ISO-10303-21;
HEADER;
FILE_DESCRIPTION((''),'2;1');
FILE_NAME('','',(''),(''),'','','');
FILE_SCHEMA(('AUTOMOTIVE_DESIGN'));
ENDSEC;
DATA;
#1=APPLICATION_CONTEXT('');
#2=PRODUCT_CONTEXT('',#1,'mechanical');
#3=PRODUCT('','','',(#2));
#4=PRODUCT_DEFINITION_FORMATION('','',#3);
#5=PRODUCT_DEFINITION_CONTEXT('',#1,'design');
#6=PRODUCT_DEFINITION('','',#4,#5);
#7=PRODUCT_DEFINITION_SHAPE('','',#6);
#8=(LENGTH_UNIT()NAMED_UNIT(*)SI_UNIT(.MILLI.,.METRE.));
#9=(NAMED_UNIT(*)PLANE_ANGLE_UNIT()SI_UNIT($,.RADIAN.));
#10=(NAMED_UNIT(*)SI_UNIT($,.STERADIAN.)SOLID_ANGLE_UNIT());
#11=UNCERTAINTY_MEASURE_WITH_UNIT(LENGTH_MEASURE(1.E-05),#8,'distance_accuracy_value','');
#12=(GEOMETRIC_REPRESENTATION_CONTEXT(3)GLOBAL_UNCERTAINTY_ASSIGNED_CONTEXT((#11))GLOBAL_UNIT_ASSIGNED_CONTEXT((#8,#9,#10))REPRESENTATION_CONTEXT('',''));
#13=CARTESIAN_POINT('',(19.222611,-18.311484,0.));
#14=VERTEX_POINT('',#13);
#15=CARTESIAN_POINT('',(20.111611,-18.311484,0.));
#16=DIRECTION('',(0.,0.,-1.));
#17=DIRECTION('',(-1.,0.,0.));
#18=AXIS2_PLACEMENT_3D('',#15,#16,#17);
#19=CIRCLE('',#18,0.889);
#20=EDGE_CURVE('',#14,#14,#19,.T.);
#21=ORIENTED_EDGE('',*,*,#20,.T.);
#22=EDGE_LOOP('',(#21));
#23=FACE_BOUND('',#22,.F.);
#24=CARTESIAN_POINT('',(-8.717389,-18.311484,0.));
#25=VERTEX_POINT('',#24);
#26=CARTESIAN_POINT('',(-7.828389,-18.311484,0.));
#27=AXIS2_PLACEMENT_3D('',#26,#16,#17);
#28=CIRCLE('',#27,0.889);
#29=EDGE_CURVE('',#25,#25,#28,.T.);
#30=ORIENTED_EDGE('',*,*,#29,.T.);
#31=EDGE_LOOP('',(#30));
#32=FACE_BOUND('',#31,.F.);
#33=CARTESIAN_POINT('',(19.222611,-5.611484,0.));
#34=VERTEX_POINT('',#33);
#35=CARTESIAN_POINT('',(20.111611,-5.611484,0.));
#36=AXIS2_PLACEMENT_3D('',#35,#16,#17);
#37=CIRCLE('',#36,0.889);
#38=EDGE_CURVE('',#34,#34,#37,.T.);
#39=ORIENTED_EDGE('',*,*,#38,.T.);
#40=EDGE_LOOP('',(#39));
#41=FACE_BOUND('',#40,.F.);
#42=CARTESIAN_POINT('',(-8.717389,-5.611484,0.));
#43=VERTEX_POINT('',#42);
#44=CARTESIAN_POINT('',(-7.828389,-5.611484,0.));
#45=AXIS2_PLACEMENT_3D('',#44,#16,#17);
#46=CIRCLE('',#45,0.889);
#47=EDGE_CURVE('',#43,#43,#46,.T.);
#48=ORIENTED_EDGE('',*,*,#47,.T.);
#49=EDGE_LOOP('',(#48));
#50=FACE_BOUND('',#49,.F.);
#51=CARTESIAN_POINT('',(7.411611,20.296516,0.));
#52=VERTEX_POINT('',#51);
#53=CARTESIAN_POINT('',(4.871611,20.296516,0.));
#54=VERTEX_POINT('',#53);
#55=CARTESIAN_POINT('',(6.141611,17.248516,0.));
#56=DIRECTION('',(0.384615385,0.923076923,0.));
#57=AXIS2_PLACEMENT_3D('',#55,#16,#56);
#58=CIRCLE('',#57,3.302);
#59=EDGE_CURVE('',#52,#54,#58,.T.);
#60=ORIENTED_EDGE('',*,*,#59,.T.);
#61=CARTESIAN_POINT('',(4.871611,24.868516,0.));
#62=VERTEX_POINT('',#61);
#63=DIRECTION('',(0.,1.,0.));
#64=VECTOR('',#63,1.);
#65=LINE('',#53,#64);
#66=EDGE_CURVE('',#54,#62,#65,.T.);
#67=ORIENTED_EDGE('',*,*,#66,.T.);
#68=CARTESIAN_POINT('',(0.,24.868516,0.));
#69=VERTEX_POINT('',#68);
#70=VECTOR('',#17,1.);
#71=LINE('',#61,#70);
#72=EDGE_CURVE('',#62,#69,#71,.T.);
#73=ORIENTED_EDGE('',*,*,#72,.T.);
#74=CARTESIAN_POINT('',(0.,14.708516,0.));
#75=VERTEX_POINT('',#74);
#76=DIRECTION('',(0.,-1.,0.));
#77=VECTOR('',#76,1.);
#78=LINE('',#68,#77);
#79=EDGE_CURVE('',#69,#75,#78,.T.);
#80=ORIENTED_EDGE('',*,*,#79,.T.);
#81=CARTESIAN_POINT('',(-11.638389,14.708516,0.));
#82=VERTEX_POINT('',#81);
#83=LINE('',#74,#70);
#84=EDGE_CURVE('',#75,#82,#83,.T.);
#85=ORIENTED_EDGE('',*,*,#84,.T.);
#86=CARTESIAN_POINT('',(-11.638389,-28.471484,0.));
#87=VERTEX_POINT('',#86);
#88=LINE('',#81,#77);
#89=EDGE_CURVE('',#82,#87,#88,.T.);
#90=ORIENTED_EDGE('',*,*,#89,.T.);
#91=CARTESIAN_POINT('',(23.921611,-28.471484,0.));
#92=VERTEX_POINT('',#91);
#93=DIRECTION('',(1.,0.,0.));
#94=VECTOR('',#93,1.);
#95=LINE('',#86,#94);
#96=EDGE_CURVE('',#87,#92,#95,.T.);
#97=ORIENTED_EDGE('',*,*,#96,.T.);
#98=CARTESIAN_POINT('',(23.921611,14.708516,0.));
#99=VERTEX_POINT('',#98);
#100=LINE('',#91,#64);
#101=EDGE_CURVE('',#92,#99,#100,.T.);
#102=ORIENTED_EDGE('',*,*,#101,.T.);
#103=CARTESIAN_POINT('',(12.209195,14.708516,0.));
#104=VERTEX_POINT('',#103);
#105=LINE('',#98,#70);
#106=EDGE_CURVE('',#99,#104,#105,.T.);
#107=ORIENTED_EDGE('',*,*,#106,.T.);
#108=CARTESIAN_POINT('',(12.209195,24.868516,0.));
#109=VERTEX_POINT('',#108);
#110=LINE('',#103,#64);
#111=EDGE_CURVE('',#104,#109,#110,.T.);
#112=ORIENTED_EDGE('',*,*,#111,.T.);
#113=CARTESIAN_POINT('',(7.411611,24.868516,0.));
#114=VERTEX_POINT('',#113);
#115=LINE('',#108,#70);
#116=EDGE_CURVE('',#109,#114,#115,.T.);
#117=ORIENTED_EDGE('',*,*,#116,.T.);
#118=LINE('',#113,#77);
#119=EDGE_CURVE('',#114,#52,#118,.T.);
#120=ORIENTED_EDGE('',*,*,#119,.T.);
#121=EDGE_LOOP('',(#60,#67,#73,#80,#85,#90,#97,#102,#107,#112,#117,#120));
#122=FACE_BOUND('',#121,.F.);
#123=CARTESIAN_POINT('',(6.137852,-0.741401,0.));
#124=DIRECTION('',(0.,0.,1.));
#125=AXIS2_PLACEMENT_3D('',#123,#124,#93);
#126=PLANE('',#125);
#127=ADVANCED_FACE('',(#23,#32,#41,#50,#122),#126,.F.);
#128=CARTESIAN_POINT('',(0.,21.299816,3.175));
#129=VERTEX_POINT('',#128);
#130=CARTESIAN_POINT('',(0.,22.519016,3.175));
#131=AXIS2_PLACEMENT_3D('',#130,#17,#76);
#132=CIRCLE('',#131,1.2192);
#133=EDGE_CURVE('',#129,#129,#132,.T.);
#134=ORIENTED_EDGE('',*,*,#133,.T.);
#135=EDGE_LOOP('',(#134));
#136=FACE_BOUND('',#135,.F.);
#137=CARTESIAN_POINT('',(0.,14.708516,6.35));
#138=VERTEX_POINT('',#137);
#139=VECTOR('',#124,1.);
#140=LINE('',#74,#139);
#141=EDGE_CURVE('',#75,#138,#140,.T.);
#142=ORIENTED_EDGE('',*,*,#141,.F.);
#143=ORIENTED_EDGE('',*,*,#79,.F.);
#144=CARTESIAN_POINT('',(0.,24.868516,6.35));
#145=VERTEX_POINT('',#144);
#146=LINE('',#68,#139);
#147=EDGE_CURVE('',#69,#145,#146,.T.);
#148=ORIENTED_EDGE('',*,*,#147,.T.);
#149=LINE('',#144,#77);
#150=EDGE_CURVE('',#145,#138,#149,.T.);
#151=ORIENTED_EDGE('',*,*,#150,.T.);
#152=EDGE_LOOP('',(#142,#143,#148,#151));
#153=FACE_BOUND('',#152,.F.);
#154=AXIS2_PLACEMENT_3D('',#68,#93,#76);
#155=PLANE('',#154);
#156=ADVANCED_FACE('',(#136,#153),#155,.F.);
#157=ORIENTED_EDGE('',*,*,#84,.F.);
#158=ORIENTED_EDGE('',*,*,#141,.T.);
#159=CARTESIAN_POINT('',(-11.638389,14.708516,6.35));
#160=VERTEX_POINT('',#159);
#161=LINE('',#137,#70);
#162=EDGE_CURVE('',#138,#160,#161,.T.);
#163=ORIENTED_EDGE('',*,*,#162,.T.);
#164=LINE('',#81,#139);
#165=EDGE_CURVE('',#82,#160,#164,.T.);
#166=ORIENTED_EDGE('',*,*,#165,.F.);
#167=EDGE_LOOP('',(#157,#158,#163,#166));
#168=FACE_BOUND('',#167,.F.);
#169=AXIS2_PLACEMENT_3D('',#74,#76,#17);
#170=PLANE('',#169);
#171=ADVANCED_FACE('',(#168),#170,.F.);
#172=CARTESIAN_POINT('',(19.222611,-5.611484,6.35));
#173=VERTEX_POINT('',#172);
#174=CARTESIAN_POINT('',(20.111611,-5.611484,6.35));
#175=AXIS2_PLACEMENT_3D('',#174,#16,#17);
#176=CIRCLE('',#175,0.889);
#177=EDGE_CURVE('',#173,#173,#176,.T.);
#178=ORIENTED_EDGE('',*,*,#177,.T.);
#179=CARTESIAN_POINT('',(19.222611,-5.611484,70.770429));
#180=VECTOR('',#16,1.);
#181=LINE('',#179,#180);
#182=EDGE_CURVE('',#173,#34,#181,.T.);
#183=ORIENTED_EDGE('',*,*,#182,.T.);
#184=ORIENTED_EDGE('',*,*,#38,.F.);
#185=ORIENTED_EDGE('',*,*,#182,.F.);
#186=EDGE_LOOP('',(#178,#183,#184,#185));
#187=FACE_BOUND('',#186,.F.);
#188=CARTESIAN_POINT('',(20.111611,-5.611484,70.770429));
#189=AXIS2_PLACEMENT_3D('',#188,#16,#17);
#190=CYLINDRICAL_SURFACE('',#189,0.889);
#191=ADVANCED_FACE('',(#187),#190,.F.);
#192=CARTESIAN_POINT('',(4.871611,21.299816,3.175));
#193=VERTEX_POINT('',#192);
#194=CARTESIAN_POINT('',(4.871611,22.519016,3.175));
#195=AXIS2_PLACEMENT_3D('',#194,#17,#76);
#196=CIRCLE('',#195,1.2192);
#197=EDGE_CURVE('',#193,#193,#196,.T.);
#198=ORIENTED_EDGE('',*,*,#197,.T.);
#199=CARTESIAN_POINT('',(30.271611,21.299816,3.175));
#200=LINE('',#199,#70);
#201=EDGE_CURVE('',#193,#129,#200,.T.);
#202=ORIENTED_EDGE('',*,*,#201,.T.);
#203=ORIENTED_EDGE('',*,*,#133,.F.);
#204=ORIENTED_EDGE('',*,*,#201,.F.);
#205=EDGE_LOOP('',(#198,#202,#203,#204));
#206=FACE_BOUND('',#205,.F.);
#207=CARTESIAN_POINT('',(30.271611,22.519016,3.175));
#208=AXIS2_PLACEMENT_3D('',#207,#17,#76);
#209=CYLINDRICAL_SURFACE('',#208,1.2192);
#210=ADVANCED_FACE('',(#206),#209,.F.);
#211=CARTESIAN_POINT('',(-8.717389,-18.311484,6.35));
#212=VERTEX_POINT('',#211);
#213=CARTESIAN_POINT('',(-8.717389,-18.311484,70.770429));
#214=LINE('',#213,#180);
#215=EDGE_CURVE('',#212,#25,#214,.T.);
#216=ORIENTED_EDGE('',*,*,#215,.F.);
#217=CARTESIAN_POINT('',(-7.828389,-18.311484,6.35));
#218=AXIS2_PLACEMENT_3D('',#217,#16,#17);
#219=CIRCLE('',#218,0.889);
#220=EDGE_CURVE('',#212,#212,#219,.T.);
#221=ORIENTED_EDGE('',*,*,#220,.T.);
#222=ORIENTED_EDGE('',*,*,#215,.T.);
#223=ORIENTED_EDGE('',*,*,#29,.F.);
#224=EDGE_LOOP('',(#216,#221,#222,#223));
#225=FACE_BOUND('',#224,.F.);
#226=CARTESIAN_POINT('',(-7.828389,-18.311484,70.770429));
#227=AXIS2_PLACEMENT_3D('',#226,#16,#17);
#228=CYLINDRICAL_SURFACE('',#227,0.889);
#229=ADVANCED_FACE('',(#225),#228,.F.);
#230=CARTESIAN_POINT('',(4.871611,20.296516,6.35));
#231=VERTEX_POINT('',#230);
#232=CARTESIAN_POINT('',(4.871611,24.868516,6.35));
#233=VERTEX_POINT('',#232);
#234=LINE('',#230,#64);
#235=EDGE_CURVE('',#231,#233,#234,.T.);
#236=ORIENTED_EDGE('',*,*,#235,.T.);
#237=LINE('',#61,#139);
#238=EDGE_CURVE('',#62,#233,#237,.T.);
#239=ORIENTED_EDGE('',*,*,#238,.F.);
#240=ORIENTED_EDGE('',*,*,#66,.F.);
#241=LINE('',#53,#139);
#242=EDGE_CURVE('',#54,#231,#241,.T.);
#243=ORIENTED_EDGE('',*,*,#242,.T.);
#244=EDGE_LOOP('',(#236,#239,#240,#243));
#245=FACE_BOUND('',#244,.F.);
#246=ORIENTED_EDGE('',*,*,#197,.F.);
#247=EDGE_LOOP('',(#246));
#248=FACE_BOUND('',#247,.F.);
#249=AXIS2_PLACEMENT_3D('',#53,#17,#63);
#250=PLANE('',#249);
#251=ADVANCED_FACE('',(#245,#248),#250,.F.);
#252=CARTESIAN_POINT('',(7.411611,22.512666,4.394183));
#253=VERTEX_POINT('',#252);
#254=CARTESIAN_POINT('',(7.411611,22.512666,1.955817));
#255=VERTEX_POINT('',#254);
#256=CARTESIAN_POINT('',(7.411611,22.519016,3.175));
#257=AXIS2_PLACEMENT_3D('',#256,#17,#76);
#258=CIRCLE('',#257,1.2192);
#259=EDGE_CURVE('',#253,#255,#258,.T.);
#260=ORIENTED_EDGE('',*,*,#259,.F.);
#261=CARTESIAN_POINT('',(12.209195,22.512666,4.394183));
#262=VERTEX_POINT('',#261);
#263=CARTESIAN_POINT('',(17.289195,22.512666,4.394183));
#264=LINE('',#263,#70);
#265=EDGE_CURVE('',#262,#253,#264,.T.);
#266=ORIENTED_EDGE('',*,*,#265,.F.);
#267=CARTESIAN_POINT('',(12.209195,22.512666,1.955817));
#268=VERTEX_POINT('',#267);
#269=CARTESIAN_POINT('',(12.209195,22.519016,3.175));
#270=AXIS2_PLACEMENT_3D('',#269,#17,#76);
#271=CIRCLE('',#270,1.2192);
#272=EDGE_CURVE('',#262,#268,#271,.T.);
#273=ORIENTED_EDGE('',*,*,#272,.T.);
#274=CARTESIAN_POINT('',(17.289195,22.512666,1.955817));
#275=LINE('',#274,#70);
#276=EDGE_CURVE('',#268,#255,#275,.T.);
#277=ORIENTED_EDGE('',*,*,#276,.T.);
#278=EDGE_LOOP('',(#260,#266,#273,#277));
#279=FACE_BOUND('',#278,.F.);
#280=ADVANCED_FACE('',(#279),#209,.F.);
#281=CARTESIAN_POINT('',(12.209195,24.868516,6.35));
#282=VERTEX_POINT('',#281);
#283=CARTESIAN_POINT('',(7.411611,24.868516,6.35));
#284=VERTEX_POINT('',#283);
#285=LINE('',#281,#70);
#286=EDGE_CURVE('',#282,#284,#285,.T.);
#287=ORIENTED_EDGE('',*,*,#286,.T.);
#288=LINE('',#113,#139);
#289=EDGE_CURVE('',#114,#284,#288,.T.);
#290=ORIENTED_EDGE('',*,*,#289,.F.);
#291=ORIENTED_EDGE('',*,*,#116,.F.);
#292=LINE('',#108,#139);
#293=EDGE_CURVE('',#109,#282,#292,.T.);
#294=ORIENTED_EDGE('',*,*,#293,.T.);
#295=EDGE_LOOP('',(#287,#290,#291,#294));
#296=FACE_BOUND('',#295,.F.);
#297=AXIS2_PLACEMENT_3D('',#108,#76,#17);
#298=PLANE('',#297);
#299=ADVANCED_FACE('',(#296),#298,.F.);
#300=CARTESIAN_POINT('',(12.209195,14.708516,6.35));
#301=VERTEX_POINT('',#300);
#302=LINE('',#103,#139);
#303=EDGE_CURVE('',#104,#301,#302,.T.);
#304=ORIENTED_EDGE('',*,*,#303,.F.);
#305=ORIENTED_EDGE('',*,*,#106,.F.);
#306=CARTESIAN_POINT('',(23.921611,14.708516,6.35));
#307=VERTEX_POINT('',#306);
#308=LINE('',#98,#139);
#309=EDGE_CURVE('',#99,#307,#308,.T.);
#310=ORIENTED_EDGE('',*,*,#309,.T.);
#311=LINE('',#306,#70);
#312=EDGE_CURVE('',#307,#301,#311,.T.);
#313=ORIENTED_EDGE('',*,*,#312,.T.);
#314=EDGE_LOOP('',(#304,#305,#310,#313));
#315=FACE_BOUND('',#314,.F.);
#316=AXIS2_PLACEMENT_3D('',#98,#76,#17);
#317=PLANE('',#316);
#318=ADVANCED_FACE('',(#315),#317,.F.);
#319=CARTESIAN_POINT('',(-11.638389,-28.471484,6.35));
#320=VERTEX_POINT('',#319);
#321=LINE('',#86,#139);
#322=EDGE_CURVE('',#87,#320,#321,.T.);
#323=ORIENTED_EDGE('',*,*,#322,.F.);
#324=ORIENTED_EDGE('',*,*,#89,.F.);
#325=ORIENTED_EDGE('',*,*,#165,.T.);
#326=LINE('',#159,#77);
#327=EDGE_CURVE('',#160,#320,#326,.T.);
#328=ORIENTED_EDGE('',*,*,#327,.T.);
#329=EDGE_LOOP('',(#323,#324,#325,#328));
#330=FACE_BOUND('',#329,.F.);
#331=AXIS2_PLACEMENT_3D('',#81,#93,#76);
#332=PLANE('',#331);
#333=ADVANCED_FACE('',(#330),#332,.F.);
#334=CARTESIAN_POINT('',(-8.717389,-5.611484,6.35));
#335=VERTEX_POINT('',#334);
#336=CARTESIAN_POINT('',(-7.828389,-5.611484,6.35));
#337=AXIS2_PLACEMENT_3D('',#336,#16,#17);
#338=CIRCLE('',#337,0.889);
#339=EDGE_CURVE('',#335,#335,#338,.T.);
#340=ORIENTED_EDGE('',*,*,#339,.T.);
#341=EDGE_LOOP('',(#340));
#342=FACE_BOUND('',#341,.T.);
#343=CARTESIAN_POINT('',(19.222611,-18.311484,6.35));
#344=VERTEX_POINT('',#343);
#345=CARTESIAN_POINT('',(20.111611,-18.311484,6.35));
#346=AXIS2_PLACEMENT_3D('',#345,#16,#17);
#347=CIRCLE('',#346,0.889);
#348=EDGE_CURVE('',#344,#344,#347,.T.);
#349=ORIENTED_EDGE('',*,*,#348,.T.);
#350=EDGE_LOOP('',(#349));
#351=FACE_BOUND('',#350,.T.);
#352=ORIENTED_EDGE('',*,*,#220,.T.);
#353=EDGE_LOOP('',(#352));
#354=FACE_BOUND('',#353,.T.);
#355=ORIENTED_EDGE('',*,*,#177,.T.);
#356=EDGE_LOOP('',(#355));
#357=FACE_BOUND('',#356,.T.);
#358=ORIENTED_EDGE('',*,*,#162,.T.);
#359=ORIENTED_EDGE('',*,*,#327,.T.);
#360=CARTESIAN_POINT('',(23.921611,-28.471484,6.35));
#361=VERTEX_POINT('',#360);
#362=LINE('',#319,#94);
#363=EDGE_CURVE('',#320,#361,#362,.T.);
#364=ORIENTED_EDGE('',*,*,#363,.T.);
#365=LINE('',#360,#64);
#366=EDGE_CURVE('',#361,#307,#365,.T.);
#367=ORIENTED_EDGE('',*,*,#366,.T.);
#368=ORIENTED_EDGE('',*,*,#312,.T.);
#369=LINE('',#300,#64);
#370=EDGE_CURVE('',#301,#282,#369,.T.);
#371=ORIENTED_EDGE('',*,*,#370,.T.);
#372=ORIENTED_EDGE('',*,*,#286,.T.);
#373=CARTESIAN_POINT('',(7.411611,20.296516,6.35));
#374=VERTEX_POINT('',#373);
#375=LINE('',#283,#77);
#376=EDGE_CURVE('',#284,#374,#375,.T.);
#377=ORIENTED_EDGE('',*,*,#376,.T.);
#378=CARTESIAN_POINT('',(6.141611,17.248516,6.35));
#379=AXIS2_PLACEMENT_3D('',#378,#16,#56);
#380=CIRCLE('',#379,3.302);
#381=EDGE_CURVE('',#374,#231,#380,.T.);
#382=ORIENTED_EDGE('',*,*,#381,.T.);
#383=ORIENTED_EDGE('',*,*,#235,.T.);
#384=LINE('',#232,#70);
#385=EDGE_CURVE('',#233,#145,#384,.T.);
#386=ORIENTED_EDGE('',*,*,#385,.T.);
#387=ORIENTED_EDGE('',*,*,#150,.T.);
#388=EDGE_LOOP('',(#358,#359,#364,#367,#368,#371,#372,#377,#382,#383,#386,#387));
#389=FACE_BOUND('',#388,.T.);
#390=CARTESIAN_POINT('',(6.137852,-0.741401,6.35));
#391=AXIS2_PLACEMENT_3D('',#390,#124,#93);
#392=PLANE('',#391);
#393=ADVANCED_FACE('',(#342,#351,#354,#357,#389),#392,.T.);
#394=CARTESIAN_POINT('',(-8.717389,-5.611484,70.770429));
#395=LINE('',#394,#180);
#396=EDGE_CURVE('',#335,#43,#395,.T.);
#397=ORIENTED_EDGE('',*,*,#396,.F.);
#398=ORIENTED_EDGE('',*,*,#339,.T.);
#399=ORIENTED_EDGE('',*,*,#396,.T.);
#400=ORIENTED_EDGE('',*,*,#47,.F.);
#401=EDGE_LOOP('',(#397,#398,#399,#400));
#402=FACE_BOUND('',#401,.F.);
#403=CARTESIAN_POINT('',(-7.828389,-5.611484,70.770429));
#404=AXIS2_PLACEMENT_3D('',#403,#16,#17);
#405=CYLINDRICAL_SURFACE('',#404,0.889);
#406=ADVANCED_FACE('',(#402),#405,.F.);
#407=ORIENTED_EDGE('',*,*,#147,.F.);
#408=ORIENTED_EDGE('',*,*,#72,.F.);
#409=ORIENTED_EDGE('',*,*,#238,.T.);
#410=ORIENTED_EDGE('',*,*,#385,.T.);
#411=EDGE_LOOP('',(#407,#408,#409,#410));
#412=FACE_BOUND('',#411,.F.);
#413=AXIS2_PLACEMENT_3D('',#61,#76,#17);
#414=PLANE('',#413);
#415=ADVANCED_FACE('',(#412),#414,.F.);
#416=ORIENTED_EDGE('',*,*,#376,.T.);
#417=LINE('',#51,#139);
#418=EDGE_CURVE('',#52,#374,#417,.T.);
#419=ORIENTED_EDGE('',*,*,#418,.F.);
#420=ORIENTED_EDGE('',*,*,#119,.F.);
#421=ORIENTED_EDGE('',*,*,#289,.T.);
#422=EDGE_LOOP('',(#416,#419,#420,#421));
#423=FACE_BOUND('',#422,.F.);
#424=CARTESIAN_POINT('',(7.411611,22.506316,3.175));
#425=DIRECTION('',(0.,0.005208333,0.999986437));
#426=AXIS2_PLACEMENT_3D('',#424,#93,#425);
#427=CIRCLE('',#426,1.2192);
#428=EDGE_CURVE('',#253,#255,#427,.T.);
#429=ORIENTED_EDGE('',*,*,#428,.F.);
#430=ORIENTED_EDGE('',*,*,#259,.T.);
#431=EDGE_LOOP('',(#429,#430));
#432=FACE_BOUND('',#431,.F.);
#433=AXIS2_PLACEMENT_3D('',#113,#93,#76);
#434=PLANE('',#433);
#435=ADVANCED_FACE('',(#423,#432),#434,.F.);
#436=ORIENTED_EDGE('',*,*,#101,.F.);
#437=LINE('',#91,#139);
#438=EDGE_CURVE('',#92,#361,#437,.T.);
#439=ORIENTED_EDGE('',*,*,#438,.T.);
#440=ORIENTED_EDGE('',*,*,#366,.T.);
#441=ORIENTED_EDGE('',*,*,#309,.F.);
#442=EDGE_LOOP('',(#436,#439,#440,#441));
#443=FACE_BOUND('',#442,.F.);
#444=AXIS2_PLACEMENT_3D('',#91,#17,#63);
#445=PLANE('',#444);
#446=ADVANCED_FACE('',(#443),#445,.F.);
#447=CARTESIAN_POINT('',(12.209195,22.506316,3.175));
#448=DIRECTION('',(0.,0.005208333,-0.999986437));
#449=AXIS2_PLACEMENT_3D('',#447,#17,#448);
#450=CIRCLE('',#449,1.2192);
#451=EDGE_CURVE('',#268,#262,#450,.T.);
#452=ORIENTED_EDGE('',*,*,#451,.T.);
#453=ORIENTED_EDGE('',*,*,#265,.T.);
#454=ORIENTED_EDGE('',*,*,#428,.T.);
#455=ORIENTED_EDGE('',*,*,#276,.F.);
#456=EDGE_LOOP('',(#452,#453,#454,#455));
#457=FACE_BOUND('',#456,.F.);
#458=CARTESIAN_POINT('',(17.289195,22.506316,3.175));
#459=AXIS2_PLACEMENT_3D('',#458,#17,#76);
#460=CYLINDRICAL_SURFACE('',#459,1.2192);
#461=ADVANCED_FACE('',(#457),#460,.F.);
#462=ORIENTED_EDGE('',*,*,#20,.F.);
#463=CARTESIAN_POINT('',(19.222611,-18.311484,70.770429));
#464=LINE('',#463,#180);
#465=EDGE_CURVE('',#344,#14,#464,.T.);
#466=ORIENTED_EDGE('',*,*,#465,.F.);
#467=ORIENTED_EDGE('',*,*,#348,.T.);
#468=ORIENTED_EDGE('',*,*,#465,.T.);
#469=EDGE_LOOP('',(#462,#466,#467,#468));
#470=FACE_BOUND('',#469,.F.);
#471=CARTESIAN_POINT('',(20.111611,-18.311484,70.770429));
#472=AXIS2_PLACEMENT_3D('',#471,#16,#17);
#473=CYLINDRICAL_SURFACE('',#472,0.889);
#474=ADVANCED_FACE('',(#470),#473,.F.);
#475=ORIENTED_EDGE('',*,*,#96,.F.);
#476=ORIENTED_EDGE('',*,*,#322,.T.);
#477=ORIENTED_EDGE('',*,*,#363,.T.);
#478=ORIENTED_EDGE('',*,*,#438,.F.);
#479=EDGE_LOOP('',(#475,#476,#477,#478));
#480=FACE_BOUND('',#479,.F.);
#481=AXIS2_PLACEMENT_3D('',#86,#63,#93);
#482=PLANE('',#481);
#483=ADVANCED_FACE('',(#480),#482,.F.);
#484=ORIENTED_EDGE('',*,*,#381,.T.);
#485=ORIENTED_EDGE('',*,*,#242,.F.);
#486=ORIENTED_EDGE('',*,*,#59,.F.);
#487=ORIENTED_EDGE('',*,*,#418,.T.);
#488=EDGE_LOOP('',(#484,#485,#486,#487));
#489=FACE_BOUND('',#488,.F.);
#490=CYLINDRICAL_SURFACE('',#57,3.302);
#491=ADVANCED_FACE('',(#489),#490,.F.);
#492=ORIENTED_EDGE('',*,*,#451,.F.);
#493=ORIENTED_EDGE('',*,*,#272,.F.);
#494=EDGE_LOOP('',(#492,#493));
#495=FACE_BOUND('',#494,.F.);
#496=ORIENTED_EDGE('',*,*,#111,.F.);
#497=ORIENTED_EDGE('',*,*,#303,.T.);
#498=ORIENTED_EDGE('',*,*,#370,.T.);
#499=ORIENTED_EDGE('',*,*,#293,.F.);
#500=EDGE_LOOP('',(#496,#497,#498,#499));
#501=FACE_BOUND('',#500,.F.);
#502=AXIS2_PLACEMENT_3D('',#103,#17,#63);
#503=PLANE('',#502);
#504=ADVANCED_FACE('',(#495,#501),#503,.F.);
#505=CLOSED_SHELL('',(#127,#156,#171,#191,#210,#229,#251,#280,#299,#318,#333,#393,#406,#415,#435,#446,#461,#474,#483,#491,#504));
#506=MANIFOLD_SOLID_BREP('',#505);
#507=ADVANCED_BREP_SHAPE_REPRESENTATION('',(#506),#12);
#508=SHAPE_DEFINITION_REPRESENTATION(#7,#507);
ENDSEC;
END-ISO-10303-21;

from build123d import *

# Parameters (mm, degrees)
F1_DEPTH = 6.35
F3_D     = 1.778
F5_D     = 2.4384
F5_DEPTH = 5.08
F5_TIP   = 0.7325692667
F7_D     = 2.4384
F7_DEPTH = 25.4
F7_START = 7.3375843
F7_TIP   = 0.7325692667


with BuildPart() as f1:
    # F0 (on Top) → F1 (new body)
    with BuildSketch(Plane.XY):
        with BuildLine():
            Line((0, 14.708516188), (-11.6383890907, 14.708516188))
            Line((-11.6383890907, 14.708516188), (-11.6383890907, -28.471483812))
            Line((-11.6383890907, -28.471483812), (23.9216109093, -28.471483812))
            Line((23.9216109093, -28.471483812), (23.9216109093, 14.708516188))
            Line((23.9216109093, 14.708516188), (12.2091952547, 14.708516188))
            Line((12.2091952547, 14.708516188), (12.2091952547, 24.868516188))
            Line((12.2091952547, 24.868516188), (7.4116109093, 24.868516188))
            Line((7.4116109093, 24.868516188), (7.4116109093, 20.296516188))
            ThreePointArc((7.4116109093, 20.296516188), (6.1416109093, 13.946516188), (4.8716109093, 20.296516188))
            Line((4.8716109093, 20.296516188), (4.8716109093, 24.868516188))
            Line((4.8716109093, 24.868516188), (0, 24.868516188))
            Line((0, 24.868516188), (0, 14.708516188))
        make_face()
    extrude(amount=F1_DEPTH)

    # F3 (through all)
    with Locations(Plane.XY.offset(6.35)):
        with Locations((-7.8283890907, -5.611483812), (20.1116109093, -5.611483812), (20.1116109093, -18.311483812), (-7.8283890907, -18.311483812)):
            Hole(F3_D / 2)

    # F5
    with Locations(Plane.YZ.offset(12.2091952547)):
        with Locations((22.506316188, 3.175)):
            Hole(F5_D / 2, depth=F5_DEPTH)
            with Locations((0, 0, -(F5_DEPTH + F5_TIP / 2))):  # 118° drill point
                Cone(0, F5_D / 2, F5_TIP, mode=Mode.SUBTRACT)

    # F7
    # its depths count from where the whole tool has entered the part; down to there all is cleared
    with Locations(Plane.YZ.offset(12.2091952547).offset(-F7_START)):
        with Locations((22.519016188, 3.175)):
            Hole(F7_D / 2, depth=F7_DEPTH)
            with Locations((0, 0, -(F7_DEPTH + F7_TIP / 2))):  # 118° drill point
                Cone(0, F7_D / 2, F7_TIP, mode=Mode.SUBTRACT)


solid = f1.part
